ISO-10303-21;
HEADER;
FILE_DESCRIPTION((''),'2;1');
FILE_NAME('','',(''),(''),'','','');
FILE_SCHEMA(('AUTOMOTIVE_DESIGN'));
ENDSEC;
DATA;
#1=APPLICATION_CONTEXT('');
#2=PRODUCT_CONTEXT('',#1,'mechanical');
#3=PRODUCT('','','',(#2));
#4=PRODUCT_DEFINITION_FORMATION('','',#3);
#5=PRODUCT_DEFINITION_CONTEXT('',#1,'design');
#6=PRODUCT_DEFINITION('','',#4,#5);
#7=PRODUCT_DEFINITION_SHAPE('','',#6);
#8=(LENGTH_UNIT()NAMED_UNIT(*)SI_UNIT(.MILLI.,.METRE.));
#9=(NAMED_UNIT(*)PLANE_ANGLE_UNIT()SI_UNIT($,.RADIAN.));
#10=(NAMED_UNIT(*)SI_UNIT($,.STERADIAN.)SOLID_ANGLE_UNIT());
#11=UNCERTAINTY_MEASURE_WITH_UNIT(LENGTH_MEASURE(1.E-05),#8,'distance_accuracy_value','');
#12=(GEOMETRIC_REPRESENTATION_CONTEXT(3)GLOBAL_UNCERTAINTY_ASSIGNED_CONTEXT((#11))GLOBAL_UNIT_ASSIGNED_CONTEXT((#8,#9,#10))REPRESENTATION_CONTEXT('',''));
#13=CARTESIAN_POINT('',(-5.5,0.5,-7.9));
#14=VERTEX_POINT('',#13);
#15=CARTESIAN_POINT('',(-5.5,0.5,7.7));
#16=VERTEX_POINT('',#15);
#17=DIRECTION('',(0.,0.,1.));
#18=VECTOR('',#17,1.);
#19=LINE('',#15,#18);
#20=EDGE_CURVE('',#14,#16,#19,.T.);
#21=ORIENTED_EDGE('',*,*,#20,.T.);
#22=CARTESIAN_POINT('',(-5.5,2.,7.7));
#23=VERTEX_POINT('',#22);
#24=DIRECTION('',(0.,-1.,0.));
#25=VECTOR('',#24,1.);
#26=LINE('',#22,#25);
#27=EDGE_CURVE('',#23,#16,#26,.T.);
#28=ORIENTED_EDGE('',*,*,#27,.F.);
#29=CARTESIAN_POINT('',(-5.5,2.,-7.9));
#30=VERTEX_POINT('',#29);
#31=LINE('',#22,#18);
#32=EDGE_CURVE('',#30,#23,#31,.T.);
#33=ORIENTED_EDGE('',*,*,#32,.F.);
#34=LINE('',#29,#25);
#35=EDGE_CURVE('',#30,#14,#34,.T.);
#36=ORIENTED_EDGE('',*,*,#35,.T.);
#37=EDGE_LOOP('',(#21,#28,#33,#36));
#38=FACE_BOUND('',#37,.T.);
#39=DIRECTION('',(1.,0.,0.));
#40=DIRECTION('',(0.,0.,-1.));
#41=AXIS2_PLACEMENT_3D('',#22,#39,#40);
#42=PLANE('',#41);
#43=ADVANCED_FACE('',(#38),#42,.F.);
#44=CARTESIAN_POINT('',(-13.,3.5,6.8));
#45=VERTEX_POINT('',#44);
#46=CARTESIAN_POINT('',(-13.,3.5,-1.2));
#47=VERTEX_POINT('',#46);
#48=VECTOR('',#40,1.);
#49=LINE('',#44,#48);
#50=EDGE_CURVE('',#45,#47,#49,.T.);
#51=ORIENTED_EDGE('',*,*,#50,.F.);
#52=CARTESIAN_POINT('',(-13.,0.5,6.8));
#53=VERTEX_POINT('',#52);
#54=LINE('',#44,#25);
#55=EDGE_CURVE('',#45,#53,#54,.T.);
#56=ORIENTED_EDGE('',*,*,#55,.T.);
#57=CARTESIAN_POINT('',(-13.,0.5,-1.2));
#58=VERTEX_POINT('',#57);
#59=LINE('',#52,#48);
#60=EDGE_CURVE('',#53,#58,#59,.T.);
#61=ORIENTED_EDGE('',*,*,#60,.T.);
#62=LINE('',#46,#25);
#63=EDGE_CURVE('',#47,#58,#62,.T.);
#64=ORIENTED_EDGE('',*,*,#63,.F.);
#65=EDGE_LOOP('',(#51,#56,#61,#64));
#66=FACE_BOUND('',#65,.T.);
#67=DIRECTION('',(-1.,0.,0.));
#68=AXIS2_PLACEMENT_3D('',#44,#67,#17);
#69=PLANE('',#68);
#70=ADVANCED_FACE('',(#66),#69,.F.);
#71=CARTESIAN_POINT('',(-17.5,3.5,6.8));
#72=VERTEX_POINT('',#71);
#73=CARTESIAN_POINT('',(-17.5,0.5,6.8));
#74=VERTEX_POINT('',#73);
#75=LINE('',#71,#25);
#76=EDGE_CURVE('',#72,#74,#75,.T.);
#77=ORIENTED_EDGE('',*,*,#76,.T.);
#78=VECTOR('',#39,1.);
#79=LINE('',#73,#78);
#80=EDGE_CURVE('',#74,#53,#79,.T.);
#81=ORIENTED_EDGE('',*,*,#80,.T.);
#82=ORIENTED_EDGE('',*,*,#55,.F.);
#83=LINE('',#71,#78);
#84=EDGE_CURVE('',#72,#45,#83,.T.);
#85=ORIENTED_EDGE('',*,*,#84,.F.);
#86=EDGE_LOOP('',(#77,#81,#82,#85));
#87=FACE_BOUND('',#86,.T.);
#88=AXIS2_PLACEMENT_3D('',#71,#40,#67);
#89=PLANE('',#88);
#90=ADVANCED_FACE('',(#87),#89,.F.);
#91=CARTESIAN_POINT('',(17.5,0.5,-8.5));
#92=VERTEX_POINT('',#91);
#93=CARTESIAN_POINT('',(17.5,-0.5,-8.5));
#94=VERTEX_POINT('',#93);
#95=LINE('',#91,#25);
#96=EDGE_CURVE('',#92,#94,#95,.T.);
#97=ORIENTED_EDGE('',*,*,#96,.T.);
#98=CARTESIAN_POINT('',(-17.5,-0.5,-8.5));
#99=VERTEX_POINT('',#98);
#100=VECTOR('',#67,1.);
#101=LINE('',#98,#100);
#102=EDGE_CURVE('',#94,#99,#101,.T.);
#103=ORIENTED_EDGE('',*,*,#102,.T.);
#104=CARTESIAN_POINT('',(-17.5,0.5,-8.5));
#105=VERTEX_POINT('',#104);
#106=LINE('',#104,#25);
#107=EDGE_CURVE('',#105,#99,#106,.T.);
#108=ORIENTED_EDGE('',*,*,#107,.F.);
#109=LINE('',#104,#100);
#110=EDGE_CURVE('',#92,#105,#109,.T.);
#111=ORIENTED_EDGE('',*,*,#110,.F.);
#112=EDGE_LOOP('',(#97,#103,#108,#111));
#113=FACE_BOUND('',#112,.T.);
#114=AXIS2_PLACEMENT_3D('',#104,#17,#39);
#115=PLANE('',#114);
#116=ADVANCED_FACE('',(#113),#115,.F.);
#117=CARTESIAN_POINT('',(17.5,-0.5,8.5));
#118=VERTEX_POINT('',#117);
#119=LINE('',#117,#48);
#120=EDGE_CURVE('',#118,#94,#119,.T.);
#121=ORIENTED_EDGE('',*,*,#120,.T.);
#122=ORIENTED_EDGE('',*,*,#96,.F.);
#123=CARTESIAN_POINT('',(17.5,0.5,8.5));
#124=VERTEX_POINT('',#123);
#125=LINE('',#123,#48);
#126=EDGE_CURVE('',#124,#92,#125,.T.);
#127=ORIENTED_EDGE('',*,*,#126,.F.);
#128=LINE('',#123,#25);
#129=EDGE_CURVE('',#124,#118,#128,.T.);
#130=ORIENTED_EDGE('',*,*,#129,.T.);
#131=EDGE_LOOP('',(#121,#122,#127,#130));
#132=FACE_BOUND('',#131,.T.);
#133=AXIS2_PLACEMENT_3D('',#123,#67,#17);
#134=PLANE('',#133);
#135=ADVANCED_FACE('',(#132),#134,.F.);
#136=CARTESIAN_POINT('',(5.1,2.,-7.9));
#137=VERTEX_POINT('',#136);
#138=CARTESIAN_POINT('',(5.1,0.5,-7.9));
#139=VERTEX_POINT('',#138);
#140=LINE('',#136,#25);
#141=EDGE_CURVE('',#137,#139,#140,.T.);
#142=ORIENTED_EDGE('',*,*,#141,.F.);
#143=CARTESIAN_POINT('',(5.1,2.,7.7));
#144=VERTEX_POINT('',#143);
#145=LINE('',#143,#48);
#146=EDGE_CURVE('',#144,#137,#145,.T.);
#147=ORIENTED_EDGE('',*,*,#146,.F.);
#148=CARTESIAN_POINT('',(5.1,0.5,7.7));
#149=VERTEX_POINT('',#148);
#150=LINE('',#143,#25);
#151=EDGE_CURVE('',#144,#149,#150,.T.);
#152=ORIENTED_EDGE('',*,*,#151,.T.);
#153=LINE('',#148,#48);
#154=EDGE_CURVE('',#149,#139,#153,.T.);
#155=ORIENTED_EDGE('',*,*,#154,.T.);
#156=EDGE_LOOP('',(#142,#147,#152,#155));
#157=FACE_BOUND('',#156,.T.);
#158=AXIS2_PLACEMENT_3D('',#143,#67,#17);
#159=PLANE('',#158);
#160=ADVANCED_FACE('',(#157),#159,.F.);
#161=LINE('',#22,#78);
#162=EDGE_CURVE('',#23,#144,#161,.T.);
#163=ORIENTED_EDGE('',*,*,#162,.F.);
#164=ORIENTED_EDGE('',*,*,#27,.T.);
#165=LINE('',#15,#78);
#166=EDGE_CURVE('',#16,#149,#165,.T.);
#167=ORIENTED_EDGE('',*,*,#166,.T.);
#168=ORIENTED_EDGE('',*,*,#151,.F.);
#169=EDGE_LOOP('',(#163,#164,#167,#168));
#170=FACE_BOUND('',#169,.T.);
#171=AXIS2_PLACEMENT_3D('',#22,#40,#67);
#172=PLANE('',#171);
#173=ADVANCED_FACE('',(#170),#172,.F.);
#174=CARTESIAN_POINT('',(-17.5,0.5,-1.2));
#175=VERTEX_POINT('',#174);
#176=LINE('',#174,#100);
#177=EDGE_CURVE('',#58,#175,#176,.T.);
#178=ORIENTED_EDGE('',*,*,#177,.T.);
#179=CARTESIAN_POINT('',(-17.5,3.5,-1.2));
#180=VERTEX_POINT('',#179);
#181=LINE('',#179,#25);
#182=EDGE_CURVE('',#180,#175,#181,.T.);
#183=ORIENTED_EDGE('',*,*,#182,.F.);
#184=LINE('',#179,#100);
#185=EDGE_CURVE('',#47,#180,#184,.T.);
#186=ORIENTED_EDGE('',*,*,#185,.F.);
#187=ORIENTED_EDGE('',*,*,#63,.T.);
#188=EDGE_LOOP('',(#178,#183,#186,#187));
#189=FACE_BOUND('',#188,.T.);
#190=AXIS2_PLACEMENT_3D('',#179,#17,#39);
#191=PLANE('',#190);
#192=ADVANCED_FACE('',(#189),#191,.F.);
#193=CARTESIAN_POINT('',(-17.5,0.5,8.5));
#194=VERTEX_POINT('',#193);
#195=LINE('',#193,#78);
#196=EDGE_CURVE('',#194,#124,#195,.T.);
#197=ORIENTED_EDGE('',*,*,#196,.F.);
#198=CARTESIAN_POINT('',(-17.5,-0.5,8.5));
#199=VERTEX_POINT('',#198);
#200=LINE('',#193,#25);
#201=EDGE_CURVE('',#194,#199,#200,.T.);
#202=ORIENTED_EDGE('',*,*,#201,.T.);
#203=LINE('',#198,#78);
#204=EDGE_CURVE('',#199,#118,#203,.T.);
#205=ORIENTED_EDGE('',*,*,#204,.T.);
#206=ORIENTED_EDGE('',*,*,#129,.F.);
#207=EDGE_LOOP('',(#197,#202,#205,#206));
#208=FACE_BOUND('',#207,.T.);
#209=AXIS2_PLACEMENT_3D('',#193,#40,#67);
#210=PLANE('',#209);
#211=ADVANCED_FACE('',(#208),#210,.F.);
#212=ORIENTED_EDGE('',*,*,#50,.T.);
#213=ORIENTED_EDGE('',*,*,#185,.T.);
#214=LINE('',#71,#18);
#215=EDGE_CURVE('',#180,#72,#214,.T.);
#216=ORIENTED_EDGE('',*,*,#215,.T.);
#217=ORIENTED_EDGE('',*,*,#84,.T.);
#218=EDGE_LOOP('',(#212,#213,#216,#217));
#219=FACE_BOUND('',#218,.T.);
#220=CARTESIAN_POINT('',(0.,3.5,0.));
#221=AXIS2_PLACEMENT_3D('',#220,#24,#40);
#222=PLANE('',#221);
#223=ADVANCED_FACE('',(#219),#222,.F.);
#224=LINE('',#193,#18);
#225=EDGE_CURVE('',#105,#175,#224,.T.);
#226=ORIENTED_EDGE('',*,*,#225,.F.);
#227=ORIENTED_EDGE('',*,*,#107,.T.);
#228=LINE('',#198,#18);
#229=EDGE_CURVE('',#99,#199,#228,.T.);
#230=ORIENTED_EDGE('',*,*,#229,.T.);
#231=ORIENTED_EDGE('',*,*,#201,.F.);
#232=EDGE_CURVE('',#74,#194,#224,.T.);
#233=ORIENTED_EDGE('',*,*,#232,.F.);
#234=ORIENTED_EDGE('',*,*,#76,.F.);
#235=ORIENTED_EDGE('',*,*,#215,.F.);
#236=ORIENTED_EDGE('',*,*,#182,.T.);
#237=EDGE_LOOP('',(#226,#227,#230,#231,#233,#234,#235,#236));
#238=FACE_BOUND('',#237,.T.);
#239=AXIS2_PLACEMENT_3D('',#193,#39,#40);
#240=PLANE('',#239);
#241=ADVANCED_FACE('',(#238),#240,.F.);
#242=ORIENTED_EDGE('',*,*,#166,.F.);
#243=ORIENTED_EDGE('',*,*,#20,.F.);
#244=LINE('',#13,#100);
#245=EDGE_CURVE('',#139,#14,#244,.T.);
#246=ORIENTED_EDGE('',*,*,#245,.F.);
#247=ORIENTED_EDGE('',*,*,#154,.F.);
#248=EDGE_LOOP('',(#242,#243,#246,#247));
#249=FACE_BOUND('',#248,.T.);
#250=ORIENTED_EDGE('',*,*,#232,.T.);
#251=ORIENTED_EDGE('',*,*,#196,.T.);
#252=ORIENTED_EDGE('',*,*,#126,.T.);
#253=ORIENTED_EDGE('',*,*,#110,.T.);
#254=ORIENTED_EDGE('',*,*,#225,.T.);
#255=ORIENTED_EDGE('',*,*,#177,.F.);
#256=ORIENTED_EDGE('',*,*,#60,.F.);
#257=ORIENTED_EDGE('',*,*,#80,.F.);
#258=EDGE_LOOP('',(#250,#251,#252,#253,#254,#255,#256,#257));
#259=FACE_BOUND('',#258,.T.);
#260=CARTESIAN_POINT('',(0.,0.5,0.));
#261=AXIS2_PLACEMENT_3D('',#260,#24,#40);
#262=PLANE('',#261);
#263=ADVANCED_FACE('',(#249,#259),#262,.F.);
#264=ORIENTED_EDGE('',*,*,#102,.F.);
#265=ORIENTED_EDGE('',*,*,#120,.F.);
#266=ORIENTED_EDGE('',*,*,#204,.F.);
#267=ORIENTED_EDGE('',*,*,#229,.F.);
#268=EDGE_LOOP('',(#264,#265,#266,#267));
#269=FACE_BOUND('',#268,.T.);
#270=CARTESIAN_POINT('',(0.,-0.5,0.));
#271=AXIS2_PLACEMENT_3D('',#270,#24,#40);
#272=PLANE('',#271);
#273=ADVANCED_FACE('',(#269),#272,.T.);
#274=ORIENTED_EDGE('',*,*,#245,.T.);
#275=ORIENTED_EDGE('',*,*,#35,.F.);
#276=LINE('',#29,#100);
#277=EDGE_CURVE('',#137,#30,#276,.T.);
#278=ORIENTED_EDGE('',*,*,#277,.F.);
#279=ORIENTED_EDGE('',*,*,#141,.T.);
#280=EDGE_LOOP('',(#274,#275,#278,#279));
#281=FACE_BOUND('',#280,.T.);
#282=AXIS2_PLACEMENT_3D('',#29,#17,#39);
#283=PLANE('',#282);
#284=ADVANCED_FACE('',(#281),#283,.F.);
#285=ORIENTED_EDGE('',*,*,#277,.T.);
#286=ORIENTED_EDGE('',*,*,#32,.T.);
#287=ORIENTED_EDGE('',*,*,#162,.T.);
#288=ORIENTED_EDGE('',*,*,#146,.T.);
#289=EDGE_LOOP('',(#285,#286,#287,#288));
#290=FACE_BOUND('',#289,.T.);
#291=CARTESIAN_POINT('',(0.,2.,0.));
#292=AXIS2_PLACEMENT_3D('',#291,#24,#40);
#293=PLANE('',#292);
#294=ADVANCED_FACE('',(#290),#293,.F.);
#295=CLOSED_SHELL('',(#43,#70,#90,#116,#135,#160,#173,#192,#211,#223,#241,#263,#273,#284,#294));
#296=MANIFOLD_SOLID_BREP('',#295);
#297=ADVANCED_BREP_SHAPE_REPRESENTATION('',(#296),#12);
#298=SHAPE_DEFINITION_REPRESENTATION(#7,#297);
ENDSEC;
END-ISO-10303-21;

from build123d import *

# Parameters (mm, degrees)
SKETCH1_W           = 35
SKETCH1_H           = 17
BOSS_EXTRUDE1_DEPTH = 0.5
SKETCH2_W           = 4.5
SKETCH2_H           = 8
BOSS_EXTRUDE2_DEPTH = 3
SKETCH3_W           = 10.6
SKETCH3_H           = 15.6
BOSS_EXTRUDE3_DEPTH = 1.5


with BuildPart() as part:
    # Sketch1 → Boss-Extrude1 (new, symmetric)
    with BuildSketch(Plane(origin=(0, 0, 0), x_dir=(1, 0, 0), z_dir=(0, 1, 0))):
        Rectangle(SKETCH1_W, SKETCH1_H)
    extrude(amount=BOSS_EXTRUDE1_DEPTH, both=True)

    # Sketch2 → Boss-Extrude2 (add)
    with BuildSketch(Plane(origin=(0, 0.5, 0), x_dir=(1, 0, 0), z_dir=(0, 1, 0))):
        with Locations((-15.25, -2.8)):
            Rectangle(SKETCH2_W, SKETCH2_H)
    extrude(amount=BOSS_EXTRUDE2_DEPTH)

    # Sketch3 → Boss-Extrude3 (add)
    with BuildSketch(Plane(origin=(0, 0.5, 0), x_dir=(1, 0, 0), z_dir=(0, 1, 0))):
        with Locations((-0.2, 0.1)):
            Rectangle(SKETCH3_W, SKETCH3_H)
    extrude(amount=BOSS_EXTRUDE3_DEPTH)


solid = part.part
